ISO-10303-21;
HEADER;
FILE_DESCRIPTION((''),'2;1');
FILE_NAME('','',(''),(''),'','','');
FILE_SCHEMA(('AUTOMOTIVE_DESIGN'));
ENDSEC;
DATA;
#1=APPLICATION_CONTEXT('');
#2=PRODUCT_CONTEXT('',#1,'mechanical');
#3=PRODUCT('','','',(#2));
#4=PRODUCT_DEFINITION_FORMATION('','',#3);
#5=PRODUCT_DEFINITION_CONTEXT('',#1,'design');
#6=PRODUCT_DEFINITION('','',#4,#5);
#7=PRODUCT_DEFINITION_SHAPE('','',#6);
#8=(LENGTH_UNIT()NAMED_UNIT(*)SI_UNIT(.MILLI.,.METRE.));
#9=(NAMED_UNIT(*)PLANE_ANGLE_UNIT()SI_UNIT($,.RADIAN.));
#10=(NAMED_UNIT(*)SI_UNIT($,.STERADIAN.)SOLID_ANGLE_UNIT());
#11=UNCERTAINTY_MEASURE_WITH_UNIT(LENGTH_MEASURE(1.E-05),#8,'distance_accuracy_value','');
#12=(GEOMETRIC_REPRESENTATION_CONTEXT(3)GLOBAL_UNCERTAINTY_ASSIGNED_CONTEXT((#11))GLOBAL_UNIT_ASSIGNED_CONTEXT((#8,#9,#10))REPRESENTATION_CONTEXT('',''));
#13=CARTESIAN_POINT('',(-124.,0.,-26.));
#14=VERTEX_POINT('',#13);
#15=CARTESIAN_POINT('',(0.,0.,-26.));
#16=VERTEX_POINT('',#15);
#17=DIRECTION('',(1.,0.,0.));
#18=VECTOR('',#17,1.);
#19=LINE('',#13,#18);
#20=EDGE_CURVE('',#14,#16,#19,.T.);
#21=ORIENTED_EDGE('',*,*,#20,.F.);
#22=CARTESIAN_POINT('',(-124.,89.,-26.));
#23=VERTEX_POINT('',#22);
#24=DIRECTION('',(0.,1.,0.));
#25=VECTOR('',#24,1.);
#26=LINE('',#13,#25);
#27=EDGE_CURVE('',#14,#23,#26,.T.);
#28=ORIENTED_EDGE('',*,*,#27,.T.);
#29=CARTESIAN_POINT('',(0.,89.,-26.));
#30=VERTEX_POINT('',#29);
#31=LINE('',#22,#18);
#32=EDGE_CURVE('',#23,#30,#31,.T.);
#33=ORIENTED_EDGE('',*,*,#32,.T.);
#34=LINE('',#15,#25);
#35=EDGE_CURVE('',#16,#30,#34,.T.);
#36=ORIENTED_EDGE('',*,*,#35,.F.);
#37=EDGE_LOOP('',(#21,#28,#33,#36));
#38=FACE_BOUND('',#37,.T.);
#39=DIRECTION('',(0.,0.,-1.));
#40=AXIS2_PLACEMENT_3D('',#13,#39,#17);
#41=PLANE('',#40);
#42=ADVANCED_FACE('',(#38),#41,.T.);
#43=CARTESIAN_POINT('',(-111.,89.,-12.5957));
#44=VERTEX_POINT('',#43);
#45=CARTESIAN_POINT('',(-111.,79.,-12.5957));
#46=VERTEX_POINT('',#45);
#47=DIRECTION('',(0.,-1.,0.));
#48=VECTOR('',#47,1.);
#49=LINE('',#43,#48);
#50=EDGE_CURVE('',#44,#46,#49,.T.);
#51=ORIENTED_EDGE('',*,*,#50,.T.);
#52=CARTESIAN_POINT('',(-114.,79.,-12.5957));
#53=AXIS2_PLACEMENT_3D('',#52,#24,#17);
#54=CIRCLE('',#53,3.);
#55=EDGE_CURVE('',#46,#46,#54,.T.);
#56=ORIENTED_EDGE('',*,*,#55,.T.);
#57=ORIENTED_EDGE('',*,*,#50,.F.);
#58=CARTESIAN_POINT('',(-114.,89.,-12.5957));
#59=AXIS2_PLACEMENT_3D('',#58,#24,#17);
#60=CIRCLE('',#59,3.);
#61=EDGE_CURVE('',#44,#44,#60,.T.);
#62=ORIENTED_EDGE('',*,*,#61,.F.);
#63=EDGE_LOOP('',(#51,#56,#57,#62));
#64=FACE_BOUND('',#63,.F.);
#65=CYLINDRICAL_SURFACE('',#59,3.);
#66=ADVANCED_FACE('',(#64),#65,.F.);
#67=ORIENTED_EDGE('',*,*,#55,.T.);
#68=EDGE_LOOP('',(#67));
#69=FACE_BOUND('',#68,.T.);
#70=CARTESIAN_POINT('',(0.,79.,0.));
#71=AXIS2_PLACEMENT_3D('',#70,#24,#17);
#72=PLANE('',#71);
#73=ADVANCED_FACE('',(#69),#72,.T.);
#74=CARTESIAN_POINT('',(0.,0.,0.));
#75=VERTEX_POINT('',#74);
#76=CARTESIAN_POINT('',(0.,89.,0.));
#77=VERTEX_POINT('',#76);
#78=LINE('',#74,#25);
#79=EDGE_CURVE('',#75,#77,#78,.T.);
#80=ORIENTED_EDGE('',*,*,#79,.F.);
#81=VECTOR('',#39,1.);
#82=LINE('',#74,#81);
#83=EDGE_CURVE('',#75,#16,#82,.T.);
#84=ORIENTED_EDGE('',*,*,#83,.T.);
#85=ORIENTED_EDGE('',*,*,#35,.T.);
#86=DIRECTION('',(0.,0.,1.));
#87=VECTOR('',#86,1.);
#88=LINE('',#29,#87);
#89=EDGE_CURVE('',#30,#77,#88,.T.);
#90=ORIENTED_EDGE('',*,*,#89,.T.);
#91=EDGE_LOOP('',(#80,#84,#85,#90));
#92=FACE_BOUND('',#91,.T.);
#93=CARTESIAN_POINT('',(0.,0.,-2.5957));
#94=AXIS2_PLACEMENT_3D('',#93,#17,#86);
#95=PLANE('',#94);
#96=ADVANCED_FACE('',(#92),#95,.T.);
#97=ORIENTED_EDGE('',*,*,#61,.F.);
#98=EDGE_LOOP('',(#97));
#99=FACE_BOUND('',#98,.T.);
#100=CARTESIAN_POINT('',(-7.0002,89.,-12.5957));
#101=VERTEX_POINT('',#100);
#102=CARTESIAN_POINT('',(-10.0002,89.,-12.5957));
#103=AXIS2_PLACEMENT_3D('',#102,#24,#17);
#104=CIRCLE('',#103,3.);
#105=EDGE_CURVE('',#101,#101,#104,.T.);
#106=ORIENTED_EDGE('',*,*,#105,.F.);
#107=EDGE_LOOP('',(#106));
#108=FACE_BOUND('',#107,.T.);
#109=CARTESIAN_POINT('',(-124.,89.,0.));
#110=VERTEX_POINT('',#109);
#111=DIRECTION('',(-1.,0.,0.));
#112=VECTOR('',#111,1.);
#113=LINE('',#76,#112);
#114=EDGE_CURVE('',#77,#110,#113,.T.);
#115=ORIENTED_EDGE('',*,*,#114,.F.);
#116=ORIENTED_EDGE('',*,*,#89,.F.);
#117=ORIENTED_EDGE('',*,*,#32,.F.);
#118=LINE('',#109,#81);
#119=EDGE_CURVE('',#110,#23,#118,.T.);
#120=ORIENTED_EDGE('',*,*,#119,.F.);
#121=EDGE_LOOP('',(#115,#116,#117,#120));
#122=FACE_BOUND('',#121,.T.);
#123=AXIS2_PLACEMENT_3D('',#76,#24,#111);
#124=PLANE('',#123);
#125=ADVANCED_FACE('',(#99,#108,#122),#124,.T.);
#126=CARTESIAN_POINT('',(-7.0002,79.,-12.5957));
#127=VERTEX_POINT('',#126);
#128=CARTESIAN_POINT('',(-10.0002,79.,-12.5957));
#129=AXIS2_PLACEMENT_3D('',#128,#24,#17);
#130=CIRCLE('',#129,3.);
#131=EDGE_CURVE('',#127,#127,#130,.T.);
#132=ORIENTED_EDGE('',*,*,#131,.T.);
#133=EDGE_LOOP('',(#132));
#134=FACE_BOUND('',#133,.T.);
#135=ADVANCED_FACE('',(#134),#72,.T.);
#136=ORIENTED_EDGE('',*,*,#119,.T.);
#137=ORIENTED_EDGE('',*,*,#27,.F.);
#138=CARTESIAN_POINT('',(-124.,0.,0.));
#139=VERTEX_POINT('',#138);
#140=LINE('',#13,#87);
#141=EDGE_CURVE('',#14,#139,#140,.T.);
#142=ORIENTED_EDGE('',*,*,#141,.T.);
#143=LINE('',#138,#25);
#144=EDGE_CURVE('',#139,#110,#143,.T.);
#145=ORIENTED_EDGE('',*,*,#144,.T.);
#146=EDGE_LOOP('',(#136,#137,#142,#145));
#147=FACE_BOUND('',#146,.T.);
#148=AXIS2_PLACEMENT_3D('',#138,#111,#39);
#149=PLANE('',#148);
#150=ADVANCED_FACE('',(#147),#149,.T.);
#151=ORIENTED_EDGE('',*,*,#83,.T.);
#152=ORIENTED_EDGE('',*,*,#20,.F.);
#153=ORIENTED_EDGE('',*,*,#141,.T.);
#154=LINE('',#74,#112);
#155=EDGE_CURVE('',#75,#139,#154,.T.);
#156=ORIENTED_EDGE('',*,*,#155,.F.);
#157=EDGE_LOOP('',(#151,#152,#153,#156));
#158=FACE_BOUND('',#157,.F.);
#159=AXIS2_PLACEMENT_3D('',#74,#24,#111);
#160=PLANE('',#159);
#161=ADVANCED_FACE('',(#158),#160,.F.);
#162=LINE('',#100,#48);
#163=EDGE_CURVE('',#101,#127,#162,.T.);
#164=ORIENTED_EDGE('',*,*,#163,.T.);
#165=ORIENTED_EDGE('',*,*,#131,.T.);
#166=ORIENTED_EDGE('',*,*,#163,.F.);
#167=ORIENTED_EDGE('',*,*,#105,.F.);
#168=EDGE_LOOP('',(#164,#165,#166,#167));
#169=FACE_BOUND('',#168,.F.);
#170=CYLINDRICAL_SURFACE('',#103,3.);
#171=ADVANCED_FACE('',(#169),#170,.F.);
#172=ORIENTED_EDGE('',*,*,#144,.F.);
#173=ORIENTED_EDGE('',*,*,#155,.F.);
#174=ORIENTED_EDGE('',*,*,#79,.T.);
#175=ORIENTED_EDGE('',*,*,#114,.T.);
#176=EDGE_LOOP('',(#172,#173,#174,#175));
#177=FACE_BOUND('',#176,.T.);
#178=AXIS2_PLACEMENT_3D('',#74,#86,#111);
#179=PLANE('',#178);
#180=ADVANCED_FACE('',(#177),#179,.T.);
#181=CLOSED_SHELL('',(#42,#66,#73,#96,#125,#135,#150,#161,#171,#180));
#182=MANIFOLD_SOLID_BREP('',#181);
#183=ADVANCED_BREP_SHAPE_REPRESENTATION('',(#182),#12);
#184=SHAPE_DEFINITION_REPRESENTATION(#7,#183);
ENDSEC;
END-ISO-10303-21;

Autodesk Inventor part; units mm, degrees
ref_plane "YZ Plane" through (0, 0, 0) normal (1, 0, 0) x (0, 1, 0)
ref_plane "XZ Plane" through (0, 0, 0) normal (0, 1, 0) x (-1, 0, 0)
ref_plane "XY Plane" through (0, 0, 0) normal (0, 0, 1) x (1, 0, 0)
sketch "Sketch1" plane through (0, 0, 0) normal (0, 1, 0) x (-1, 0, 0)
  line L0 (0, 0) -> (124, 0)
  line L1 (124, 0) -> (124, -26)
  line L2 (124, -26) -> (0, -26)
  line L3 (0, -26) -> (0, 0)
  circle A0 centre (10.0002, -12.5957) radius 3
  circle A1 centre (114, -12.5957) radius 3
  line L4 (0, 0) -> (124.0002, 0)
  line L5 (124.0002, 0) -> (124.0002, -2.5957)
  line L6 (124.0002, -2.5957) -> (117, -2.5957)
  line L7 (117, -2.5957) -> (117, -5.5957)
  line L8 (117, -5.5957) -> (124.0002, -5.5957)
  line L9 (124.0002, -5.5957) -> (124.0002, -19.5957)
  line L10 (124.0002, -19.5957) -> (117, -19.5957)
  line L11 (117, -19.5957) -> (117, -22.5957)
  line L12 (117, -22.5957) -> (124.0002, -22.5957)
  line L13 (124.0002, -22.5957) -> (124.0002, -26)
  line L14 (124.0002, -26) -> (0, -26)
  line L15 (0, -26) -> (0, -22.5957)
  line L16 (0, -22.5957) -> (7, -22.5957)
  line L17 (7, -22.5957) -> (7, -19.5957)
  line L18 (7, -19.5957) -> (0, -19.5957)
  line L19 (0, -19.5957) -> (0, -5.5957)
  line L20 (0, -5.5957) -> (7, -5.5957)
  line L21 (7, -5.5957) -> (7, -2.5957)
  line L22 (7, -2.5957) -> (0, -2.5957)
  line L23 (0, -2.5957) -> (0, 0)
  line L24 (31.0002, -9.0957) -> (28.0002, -9.0957)
  line L25 (28.0002, -9.0957) -> (28.0002, -16.0957)
  line L26 (28.0002, -16.0957) -> (31.0002, -16.0957)
  line L27 (31.0002, -16.0957) -> (31.0002, -9.0957)
  line L28 (31.0002, -5.5957) -> (22, -5.5957)
  line L29 (22, -5.5957) -> (22, -2.5957)
  line L30 (22, -2.5957) -> (54.5, -2.5957)
  line L31 (54.5, -2.5957) -> (54.5, -5.5957)
  line L32 (54.5, -5.5957) -> (31.0002, -5.5957)
  line L33 (28.0002, -19.5957) -> (54.5, -19.5957)
  line L34 (54.5, -19.5957) -> (54.5, -22.5957)
  line L35 (54.5, -22.5957) -> (22, -22.5957)
  line L36 (22, -22.5957) -> (22, -19.5957)
  line L37 (22, -19.5957) -> (28.0002, -19.5957)
  line L38 (69.5, -5.5957) -> (69.5, -2.5957)
  line L39 (69.5, -2.5957) -> (102, -2.5957)
  line L40 (102, -2.5957) -> (102, -5.5957)
  line L41 (102, -5.5957) -> (69.5, -5.5957)
  line L42 (93, -9.0957) -> (96, -9.0957)
  line L43 (96, -9.0957) -> (96, -16.0957)
  line L44 (96, -16.0957) -> (93, -16.0957)
  line L45 (93, -16.0957) -> (93, -9.0957)
  line L46 (96, -19.5957) -> (69.5, -19.5957)
  line L47 (69.5, -19.5957) -> (69.5, -22.5957)
  line L48 (69.5, -22.5957) -> (102, -22.5957)
  line L49 (102, -22.5957) -> (102, -19.5957)
  line L50 (102, -19.5957) -> (96, -19.5957)
  dimension "d0" = 124
  dimension "d1" = 26
  dimension "d4" = 124.0002
  dimension "d5" = 26
extrude "Extrusion1" add sketch "Sketch1" along normal blind 89 contours L0 L1 L6 L7 L8 L10 L11 L12 L2 L3 L16 L17 L18 L20 L21 L22 | L22 L21 L20 L3 | L1 L8 L7 L6 | L18 L17 L16 L3 | L1 L12 L11 L10 | A0 | A1 | L27 L26 L25 L24 | L28 L29 L30 L31 L32 | L33 L34 L35 L36 L37 | L38 L39 L40 L41 | L42 L43 L44 L45 | L50 L49 L48 L47 L46
sketch "Sketch2" plane through (0, 89, 0) normal (0, 1, 0) x (1, 0, 0)
  line L0 (0, 0) -> (-124, 0)
  line L1 (-124, 0) -> (-124, 26)
  line L2 (-124, 26) -> (0, 26)
  line L3 (0, 26) -> (0, 0)
  line L4 (-28.0002, 16.0957) -> (-31.0002, 16.0957)
  line L5 (-31.0002, 16.0957) -> (-31.0002, 9.0957)
  line L6 (-31.0002, 9.0957) -> (-28.0002, 9.0957)
  line L7 (-31.0002, 5.5957) -> (-22, 5.5957)
  circle A0 centre (-10.0002, 12.5957) radius 3
  line L8 (-54.5, 2.5957) -> (-54.5, 5.5957)
  line L9 (-22, 2.5957) -> (-54.5, 2.5957)
  line L10 (-69.5, 5.5957) -> (-69.5, 2.5957)
  circle A1 centre (-114, 12.5957) radius 3
  line L11 (0, 0) -> (-124.0002, 0)
  line L12 (-124.0002, 26) -> (0, 26)
  line L13 (-117, 5.5957) -> (-124.0002, 5.5957)
  line L14 (-117, 19.5957) -> (-117, 22.5957)
  line L15 (-124.0002, 5.5957) -> (-124.0002, 19.5957)
  line L16 (-124.0002, 19.5957) -> (-117, 19.5957)
  line L17 (-117, 2.5957) -> (-117, 5.5957)
  line L18 (-124.0002, 2.5957) -> (-117, 2.5957)
  line L19 (-124.0002, 0) -> (-124.0002, 2.5957)
  line L20 (-124.0002, 22.5957) -> (-124.0002, 26)
  line L21 (-117, 22.5957) -> (-124.0002, 22.5957)
  line L22 (-102, 19.5957) -> (-96, 19.5957)
  line L23 (-102, 22.5957) -> (-102, 19.5957)
  line L24 (-96, 16.0957) -> (-93, 16.0957)
  line L25 (-93, 16.0957) -> (-93, 9.0957)
  line L26 (-93, 9.0957) -> (-96, 9.0957)
  line L27 (-96, 9.0957) -> (-96, 16.0957)
  line L28 (-96, 19.5957) -> (-69.5, 19.5957)
  line L29 (-69.5, 2.5957) -> (-102, 2.5957)
  line L30 (-102, 2.5957) -> (-102, 5.5957)
  line L31 (-102, 5.5957) -> (-69.5, 5.5957)
  line L32 (-69.5, 22.5957) -> (-102, 22.5957)
  line L33 (-69.5, 19.5957) -> (-69.5, 22.5957)
  line L34 (-54.5, 5.5957) -> (-31.0002, 5.5957)
  line L35 (-28.0002, 9.0957) -> (-28.0002, 16.0957)
  line L36 (-54.5, 22.5957) -> (-22, 22.5957)
  line L37 (-28.0002, 19.5957) -> (-54.5, 19.5957)
  line L38 (-54.5, 19.5957) -> (-54.5, 22.5957)
  line L39 (-22, 19.5957) -> (-28.0002, 19.5957)
  line L40 (-22, 22.5957) -> (-22, 19.5957)
  line L41 (-22, 5.5957) -> (-22, 2.5957)
  line L42 (0, 26) -> (0, 22.5957)
  line L43 (0, 22.5957) -> (-7, 22.5957)
  line L44 (-7, 22.5957) -> (-7, 19.5957)
  line L45 (-7, 19.5957) -> (0, 19.5957)
  line L46 (0, 19.5957) -> (0, 5.5957)
  line L47 (0, 5.5957) -> (-7, 5.5957)
  line L48 (-7, 2.5957) -> (0, 2.5957)
  line L49 (0, 2.5957) -> (0, 0)
  line L50 (-7, 5.5957) -> (-7, 2.5957)
  dimension "d6" = 124
  dimension "d7" = 26
  dimension "d8" = 124.0002
  dimension "d9" = 26
extrude "Extrusion2" cut sketch "Sketch2" against normal blind 10 contours A0 | A1
thread "Thread1" size "M6x1" class "6H" standard "ANSI Metric M Profile" full length
thread "Thread2" size "M6x1" class "6H" standard "ANSI Metric M Profile" full length
properties part number "base_soportes"
